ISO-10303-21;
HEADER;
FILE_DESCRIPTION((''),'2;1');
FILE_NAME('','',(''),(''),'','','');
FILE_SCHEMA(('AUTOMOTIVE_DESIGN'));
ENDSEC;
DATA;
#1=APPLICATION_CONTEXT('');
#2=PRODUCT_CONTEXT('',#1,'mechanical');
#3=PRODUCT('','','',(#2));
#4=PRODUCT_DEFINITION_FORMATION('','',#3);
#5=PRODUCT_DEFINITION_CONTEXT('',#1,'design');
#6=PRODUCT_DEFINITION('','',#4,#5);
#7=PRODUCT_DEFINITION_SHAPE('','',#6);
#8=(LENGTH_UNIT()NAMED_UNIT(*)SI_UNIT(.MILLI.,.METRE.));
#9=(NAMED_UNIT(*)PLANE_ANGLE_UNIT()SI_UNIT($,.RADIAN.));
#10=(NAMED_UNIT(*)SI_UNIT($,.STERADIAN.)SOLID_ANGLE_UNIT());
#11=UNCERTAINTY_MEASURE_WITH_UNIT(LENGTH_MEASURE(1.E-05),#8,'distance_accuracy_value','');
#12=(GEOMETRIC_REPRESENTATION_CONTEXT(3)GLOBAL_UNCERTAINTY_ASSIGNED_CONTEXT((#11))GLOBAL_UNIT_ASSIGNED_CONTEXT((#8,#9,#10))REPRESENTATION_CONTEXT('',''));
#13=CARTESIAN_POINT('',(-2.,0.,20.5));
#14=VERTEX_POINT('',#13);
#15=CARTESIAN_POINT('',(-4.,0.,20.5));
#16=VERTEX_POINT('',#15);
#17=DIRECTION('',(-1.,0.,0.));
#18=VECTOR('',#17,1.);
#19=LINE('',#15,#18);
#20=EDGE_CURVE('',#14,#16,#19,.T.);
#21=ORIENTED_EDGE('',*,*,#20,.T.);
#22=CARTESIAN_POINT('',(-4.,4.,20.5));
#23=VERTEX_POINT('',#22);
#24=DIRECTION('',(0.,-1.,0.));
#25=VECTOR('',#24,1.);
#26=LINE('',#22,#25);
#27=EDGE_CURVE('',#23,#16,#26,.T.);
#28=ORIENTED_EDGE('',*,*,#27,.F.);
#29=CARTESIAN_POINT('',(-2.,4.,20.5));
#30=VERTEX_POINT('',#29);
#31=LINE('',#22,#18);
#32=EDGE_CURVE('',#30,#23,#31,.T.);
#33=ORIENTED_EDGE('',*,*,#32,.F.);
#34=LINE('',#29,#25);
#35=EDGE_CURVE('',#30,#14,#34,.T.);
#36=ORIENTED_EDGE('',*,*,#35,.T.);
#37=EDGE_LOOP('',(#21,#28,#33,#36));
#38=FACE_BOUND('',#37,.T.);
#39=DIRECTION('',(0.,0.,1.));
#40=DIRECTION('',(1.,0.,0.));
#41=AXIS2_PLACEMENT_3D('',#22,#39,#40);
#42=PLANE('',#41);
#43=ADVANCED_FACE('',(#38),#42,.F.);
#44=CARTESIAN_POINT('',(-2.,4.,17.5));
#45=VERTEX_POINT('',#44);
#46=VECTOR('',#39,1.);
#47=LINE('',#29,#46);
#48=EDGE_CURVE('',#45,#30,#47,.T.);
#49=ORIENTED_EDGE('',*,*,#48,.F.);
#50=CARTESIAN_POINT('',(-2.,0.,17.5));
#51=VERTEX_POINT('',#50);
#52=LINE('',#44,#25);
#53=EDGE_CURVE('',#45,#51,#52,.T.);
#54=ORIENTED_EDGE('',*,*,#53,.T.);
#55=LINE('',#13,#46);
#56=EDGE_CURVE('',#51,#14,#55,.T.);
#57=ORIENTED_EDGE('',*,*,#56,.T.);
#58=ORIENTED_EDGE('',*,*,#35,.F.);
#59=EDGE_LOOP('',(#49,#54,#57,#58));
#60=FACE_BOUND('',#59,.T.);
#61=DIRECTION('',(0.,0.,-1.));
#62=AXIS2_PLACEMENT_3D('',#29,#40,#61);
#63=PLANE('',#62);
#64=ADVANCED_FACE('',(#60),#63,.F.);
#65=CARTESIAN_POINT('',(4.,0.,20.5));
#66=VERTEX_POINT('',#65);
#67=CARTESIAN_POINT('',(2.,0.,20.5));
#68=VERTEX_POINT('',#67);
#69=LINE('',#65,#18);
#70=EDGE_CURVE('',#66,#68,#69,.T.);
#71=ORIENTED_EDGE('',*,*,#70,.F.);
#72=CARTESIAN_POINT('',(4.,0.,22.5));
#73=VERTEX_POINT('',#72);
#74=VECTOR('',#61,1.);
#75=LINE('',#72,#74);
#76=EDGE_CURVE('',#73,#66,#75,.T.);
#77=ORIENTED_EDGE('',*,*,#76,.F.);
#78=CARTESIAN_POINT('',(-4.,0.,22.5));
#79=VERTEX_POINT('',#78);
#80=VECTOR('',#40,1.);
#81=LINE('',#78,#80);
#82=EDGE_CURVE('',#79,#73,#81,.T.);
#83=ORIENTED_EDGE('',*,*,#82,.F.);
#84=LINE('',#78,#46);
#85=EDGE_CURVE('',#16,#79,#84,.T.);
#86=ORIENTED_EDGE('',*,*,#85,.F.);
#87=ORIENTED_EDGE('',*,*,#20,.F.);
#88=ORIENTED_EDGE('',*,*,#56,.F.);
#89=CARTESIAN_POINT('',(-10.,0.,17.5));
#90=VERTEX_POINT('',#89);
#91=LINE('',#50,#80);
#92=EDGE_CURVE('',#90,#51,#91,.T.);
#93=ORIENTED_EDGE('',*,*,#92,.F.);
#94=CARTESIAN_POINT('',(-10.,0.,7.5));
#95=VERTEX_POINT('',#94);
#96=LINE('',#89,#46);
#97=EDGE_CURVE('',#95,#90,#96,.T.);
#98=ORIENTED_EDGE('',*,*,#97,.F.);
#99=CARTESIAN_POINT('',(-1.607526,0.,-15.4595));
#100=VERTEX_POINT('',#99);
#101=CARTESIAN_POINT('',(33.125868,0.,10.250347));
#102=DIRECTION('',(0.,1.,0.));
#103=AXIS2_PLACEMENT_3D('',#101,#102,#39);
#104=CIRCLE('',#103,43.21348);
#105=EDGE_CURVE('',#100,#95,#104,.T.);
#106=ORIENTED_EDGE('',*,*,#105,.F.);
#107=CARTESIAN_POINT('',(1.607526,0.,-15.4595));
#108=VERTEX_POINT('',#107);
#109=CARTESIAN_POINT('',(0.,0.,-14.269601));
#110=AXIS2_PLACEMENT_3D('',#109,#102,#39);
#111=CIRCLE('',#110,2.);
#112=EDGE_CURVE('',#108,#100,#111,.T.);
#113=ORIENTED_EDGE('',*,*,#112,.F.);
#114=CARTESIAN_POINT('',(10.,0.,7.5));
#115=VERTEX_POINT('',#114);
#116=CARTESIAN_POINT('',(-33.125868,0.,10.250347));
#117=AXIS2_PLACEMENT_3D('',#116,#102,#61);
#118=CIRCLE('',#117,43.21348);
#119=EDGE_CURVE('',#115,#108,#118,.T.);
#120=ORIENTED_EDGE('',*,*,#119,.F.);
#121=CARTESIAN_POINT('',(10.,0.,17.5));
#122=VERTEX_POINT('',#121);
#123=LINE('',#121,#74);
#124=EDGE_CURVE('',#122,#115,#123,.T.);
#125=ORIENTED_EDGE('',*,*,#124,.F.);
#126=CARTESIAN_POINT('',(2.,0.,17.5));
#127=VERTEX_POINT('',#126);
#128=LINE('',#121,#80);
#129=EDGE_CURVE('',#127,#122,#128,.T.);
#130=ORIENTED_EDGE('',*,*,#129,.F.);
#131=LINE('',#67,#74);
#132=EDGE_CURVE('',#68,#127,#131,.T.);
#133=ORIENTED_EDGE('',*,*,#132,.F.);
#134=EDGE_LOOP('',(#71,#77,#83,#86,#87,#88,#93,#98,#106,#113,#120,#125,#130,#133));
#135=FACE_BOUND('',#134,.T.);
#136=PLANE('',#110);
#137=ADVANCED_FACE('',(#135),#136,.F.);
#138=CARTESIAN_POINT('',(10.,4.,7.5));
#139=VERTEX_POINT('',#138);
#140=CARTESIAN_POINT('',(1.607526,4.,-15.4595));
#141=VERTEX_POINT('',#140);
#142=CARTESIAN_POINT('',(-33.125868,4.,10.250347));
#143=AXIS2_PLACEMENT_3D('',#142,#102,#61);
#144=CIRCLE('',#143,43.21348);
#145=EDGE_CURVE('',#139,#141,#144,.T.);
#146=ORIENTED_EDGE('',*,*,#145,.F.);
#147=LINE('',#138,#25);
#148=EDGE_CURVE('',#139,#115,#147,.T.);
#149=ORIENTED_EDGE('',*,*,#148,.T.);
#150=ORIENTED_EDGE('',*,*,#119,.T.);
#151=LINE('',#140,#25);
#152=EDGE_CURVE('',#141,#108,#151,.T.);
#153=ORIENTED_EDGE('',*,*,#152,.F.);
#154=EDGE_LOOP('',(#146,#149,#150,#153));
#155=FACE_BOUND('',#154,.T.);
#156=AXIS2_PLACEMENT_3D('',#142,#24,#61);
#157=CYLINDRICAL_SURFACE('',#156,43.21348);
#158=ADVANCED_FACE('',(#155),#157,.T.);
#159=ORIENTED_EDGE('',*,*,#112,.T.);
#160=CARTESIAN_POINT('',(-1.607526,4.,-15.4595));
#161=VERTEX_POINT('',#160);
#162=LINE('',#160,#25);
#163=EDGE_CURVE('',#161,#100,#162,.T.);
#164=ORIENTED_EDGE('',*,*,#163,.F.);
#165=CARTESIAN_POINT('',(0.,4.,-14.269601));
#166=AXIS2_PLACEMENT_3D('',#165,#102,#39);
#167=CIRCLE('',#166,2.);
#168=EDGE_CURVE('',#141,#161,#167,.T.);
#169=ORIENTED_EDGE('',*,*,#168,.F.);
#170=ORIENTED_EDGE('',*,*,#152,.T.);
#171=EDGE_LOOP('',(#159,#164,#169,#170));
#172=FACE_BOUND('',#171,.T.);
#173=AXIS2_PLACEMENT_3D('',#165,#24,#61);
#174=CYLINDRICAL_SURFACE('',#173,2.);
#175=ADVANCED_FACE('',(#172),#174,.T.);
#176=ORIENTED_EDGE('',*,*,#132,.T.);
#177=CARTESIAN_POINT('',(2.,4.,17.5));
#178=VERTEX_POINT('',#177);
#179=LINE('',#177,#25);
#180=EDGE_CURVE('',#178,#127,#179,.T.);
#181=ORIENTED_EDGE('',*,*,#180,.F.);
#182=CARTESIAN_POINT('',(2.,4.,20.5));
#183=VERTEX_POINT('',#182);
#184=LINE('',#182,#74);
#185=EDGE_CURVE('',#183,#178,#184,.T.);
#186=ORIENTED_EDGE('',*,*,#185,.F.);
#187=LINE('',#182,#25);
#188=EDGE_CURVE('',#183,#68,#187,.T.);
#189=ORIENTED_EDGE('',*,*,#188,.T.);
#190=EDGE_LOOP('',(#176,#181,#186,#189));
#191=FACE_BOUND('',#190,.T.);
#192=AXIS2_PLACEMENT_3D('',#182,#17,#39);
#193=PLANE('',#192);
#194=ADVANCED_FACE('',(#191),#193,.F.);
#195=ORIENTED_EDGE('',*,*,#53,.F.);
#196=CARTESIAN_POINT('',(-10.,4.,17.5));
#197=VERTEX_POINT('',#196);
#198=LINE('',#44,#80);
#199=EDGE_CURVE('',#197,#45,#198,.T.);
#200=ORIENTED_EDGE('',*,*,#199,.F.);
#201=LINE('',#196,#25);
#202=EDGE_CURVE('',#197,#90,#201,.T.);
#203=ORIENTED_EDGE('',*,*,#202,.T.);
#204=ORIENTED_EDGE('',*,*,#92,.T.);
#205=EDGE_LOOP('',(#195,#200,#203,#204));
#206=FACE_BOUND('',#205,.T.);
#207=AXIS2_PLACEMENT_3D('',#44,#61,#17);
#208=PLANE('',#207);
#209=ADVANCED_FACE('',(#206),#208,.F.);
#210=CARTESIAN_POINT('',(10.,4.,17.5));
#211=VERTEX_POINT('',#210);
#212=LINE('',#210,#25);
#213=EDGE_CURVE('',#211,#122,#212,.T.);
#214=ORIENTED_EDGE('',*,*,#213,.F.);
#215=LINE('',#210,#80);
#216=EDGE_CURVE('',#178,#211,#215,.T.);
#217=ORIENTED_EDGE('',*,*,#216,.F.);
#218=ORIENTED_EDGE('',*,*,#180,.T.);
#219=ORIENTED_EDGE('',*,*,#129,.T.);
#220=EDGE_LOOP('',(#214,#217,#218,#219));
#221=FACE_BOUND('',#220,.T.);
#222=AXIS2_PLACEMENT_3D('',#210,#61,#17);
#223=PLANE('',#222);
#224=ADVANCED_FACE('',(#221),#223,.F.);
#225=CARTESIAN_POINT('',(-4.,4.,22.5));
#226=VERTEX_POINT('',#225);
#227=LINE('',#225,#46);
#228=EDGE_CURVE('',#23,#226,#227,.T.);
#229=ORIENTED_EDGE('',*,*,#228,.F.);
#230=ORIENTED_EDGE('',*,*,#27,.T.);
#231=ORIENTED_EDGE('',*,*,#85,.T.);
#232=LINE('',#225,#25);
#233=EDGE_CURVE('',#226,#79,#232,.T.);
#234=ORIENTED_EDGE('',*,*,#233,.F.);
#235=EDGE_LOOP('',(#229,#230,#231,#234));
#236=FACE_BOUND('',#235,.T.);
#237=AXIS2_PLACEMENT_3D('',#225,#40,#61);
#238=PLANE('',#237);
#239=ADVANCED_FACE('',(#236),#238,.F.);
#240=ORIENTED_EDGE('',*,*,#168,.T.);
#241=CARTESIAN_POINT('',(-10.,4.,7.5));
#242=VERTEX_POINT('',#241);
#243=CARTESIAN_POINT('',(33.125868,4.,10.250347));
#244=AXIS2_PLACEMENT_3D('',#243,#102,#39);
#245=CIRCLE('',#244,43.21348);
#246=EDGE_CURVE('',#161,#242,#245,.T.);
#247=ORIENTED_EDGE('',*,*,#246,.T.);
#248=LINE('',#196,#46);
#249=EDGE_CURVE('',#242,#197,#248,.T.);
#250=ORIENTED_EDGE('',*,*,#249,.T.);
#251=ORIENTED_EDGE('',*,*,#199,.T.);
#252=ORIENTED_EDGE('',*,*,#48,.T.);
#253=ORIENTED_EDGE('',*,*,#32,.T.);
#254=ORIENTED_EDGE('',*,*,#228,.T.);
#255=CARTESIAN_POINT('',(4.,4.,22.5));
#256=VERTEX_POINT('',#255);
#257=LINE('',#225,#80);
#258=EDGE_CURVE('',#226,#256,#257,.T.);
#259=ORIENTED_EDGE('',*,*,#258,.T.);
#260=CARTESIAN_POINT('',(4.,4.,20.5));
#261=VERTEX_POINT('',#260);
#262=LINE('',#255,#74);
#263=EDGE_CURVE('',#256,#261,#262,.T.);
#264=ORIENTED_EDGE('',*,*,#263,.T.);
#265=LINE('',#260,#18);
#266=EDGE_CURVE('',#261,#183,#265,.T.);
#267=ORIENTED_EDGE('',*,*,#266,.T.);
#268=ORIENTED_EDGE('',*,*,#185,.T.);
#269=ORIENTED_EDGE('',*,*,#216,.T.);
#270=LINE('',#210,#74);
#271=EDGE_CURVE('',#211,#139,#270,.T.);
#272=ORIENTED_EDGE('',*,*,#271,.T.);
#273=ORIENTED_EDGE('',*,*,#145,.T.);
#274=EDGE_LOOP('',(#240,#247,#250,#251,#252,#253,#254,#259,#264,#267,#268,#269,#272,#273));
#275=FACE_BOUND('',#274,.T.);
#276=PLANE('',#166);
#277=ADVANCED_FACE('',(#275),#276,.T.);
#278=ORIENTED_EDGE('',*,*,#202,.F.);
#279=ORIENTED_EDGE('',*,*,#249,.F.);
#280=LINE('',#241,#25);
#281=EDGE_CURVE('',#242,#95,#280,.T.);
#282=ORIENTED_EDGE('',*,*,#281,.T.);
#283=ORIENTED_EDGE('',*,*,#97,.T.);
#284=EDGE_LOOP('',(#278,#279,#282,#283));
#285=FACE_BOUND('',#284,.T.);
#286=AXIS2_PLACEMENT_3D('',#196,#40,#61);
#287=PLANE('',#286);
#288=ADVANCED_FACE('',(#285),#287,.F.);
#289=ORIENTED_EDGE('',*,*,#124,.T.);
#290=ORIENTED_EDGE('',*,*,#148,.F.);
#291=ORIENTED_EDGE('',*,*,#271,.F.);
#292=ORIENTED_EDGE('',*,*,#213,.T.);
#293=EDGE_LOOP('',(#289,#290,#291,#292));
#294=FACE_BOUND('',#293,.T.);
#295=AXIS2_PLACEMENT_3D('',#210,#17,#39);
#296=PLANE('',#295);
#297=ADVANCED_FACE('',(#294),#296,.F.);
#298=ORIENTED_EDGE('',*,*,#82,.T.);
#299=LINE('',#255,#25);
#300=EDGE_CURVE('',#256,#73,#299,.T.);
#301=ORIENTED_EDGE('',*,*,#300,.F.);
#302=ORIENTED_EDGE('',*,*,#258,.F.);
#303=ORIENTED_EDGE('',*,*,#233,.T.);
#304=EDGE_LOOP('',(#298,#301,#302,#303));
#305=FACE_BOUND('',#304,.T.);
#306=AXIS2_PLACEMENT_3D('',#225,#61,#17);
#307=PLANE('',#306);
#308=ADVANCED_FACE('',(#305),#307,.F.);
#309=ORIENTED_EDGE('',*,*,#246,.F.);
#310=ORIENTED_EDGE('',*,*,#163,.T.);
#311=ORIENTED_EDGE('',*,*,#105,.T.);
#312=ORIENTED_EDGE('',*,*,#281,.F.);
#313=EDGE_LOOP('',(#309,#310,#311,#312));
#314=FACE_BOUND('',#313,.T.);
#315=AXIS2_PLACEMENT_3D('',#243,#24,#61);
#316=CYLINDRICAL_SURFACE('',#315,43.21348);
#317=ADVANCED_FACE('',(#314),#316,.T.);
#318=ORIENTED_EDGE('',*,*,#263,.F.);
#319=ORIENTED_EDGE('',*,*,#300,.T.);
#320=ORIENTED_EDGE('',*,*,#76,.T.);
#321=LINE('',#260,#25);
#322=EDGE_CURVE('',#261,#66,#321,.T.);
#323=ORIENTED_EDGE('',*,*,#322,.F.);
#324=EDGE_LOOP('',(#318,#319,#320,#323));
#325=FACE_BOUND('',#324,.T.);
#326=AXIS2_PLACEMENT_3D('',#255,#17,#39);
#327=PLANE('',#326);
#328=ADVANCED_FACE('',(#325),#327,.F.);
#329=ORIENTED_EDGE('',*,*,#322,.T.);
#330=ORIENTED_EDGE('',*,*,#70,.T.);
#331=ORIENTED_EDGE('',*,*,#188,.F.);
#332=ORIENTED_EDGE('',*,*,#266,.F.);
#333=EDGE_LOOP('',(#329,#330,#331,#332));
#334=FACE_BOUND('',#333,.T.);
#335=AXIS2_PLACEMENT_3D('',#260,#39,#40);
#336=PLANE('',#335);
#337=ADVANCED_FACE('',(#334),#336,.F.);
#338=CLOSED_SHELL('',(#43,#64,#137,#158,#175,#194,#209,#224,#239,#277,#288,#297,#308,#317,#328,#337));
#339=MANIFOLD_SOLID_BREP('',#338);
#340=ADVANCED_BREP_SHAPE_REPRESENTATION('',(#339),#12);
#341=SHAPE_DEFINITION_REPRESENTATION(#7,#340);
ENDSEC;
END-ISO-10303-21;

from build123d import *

# Parameters (mm, degrees)
EXTRUDE_1_DEPTH = 4


with BuildPart() as part:
    # Эскиз1 → Бобышка-Вытянуть1 (new body)
    with BuildSketch(Plane(origin=(0, 0, 0), x_dir=(1, 0, 0), z_dir=(0, 1, 0))):
        with BuildLine():
            Line((10, -17.5), (2, -17.5))
            Line((2, -17.5), (2, -20.5))
            Line((2, -20.5), (4, -20.5))
            Line((4, -20.5), (4, -22.5))
            Line((4, -22.5), (-4, -22.5))
            Line((-4, -22.5), (-4, -20.5))
            Line((-4, -20.5), (-2, -20.5))
            Line((-2, -20.5), (-2, -17.5))
            Line((-2, -17.5), (-10, -17.5))
            Line((-10, -17.5), (-10, -7.5))
            ThreePointArc((-10, -7.5), (-7.461085915, 4.585557713), (-1.607525862, 15.459500175))
            ThreePointArc((-1.607525862, 15.459500175), (0, 16.269600766), (1.607525862, 15.459500175))
            ThreePointArc((1.607525862, 15.459500175), (7.461085915, 4.585557713), (10, -7.5))
            Line((10, -7.5), (10, -17.5))
        make_face()
    extrude(amount=EXTRUDE_1_DEPTH)


solid = part.part
